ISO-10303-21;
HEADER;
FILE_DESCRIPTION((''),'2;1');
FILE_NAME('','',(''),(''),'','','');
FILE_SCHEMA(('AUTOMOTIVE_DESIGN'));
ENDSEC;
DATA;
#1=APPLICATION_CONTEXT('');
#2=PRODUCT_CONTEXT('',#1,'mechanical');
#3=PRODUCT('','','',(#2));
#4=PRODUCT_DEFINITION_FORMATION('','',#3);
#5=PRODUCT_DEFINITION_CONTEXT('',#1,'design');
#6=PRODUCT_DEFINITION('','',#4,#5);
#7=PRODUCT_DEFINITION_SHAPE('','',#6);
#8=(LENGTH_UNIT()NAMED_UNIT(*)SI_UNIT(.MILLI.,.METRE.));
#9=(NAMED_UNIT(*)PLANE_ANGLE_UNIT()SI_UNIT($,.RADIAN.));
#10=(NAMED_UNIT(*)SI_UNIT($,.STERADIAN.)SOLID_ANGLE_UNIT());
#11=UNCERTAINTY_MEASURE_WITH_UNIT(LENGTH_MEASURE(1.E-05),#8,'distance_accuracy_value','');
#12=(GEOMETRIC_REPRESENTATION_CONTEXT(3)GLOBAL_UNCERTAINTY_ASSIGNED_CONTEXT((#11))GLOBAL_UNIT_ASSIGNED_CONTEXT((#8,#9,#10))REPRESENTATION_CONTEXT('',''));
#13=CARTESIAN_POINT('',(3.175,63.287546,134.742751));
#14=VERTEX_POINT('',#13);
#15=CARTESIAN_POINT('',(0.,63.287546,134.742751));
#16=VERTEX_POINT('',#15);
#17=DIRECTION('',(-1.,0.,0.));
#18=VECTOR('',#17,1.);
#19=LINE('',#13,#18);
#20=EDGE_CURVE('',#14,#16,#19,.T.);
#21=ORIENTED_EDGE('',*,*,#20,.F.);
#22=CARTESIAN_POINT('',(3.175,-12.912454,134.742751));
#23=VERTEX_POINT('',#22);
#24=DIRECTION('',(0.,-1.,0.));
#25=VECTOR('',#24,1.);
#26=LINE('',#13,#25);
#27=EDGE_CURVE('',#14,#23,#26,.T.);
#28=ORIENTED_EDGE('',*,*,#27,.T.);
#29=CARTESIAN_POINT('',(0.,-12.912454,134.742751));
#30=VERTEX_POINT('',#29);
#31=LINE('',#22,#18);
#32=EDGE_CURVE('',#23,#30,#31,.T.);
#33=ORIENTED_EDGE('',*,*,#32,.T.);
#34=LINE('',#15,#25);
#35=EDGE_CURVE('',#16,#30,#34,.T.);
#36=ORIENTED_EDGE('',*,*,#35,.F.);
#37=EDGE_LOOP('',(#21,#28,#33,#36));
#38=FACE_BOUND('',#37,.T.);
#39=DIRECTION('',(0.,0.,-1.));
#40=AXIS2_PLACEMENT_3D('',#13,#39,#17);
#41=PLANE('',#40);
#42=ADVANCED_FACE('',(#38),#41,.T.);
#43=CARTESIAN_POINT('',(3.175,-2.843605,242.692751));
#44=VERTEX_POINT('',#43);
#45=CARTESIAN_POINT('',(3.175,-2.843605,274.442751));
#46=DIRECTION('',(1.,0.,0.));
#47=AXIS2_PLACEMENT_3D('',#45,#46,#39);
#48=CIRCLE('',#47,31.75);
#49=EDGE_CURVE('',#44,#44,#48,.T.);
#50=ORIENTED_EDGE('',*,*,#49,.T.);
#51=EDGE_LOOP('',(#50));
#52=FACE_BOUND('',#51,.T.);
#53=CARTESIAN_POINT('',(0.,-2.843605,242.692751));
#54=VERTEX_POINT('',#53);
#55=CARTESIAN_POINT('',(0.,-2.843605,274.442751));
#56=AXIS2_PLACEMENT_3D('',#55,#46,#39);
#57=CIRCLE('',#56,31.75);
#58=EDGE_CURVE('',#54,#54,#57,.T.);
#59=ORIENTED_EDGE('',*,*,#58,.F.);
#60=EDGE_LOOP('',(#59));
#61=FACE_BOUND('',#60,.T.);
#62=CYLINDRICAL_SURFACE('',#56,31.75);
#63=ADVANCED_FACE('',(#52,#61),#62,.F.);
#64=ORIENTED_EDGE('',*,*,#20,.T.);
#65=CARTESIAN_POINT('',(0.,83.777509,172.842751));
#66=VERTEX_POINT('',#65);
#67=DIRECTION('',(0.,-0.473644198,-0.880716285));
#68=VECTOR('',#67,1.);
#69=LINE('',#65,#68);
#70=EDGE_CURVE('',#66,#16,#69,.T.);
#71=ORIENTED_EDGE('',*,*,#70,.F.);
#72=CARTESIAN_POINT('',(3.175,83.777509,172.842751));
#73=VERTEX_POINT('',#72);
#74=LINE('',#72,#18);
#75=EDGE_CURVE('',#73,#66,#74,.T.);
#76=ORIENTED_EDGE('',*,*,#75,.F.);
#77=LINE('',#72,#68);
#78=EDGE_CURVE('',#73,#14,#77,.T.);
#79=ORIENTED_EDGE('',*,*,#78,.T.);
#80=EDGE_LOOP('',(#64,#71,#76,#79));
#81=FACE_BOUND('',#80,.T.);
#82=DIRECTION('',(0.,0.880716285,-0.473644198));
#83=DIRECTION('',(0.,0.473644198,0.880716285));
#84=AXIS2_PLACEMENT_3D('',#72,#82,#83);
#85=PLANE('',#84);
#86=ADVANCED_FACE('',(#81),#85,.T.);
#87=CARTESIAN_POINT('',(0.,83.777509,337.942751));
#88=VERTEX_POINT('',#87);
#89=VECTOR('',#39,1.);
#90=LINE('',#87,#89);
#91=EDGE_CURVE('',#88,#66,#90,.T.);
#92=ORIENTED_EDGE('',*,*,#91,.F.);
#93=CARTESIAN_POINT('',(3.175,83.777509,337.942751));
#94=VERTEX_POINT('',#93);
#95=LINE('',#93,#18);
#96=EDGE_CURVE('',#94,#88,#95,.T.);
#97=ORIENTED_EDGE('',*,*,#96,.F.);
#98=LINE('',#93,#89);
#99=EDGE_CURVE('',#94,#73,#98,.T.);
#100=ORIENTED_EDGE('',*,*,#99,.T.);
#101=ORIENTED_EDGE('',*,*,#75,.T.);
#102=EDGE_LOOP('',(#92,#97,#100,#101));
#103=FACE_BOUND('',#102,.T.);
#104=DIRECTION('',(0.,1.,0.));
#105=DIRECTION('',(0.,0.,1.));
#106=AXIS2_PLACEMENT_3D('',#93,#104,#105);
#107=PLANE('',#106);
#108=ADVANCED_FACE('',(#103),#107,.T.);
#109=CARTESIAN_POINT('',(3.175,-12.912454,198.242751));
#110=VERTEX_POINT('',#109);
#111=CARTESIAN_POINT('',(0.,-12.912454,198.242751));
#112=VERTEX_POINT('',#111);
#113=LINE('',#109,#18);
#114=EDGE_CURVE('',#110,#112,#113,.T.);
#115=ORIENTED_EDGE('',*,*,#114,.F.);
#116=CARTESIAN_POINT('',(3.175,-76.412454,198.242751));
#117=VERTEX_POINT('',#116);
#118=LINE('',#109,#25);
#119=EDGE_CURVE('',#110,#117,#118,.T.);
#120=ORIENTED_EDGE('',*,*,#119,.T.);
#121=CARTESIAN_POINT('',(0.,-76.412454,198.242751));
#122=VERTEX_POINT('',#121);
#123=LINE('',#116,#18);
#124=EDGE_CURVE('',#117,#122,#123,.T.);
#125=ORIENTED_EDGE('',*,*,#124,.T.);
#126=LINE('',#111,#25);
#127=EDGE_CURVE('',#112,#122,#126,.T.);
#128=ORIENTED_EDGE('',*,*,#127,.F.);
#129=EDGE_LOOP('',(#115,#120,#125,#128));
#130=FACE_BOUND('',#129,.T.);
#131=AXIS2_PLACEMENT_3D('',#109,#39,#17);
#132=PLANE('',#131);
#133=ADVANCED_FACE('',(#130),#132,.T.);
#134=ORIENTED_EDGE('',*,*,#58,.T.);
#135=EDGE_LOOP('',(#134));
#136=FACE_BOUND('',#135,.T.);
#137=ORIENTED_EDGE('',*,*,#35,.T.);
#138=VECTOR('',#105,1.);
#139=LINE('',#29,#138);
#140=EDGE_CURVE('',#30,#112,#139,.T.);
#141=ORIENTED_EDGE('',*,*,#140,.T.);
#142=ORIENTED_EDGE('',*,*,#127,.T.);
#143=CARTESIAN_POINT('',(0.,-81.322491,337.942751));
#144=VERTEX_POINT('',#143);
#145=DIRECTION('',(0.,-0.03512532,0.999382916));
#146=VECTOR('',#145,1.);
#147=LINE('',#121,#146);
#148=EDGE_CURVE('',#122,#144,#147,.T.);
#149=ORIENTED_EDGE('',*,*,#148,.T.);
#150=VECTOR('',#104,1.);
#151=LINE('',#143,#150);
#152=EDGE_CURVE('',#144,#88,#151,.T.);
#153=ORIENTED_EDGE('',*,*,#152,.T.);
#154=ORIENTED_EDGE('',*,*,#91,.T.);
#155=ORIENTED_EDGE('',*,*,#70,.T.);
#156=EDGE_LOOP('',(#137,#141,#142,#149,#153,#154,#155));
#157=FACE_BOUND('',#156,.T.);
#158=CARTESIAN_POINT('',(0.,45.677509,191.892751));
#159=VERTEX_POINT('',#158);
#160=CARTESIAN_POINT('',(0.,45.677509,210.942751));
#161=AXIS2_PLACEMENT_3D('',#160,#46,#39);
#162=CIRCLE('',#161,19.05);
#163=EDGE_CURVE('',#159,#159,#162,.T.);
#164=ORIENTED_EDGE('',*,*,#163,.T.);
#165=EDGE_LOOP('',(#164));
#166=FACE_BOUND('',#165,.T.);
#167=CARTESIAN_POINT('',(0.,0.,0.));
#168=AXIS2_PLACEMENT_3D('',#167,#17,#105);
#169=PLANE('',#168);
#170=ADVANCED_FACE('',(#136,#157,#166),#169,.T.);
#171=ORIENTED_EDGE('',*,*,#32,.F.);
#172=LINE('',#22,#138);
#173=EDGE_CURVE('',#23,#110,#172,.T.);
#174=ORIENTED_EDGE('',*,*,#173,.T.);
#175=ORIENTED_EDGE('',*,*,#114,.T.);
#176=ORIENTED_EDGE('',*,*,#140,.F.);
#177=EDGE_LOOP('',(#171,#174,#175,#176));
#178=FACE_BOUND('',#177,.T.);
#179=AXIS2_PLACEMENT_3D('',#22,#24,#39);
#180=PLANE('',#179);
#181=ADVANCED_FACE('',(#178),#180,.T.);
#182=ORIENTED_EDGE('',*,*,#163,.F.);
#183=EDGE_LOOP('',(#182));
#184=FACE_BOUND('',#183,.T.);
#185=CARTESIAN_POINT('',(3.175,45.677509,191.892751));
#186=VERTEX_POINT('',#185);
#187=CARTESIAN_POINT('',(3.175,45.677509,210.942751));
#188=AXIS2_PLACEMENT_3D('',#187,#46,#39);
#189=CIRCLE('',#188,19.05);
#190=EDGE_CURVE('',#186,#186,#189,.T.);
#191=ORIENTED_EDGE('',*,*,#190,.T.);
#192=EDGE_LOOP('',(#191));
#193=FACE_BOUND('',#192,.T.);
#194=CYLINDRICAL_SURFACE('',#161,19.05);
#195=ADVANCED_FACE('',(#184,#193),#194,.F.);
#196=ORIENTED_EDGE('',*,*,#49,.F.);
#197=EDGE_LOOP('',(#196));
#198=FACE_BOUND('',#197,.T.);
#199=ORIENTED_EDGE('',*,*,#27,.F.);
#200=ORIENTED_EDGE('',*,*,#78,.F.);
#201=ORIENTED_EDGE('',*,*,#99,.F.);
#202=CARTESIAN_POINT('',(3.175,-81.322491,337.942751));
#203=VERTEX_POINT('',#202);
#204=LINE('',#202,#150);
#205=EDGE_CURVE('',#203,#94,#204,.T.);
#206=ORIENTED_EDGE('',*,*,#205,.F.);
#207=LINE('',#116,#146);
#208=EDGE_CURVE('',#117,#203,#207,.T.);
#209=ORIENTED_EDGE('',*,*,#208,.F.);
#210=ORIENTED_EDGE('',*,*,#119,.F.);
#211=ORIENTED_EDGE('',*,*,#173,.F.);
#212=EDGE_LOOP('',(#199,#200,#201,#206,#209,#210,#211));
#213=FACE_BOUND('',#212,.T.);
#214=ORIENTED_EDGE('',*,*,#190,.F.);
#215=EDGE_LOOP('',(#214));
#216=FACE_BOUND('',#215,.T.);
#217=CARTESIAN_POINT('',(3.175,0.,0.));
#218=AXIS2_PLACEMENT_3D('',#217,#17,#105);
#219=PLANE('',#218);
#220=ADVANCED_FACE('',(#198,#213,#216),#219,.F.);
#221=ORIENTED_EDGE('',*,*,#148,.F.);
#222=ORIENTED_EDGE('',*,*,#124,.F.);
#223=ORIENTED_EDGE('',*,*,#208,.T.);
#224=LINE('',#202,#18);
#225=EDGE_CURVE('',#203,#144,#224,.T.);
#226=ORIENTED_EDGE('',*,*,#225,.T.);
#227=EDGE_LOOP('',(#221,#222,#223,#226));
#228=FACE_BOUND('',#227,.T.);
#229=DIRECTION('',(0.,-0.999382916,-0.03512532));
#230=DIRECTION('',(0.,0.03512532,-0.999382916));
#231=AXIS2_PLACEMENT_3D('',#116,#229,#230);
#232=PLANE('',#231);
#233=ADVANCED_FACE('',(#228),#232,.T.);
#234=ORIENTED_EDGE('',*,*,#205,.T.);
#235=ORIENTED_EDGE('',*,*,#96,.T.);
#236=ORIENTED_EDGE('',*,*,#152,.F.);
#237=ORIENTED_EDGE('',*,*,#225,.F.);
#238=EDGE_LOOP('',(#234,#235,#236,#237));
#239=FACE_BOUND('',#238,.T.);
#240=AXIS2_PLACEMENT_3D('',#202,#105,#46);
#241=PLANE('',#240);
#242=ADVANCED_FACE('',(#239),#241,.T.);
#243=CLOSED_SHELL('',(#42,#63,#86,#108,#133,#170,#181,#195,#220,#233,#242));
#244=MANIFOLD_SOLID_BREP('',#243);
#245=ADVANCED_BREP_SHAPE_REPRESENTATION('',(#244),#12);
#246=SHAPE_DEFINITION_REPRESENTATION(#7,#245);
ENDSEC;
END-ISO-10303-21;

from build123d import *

# Parameters (mm, degrees)
BOSS_EXTRUDE1_DEPTH = 3.175
SKETCH3_R           = 31.75
SKETCH3_R_2         = 19.05
CUT_EXTRUDE3_DEPTH  = 349.186809908


with BuildPart() as part:
    # Sketch2 → Boss-Extrude1 (new body)
    with BuildSketch(Plane(origin=(0, 0, 0), x_dir=(0, 0, -1), z_dir=(1, 0, 0))):
        Polygon((-337.942750929, 83.777509294), (-172.842750929, 83.777509294), (-134.742750929, 63.287546468), (-134.742750929, -12.912453532), (-198.242750929, -12.912453532), (-198.242750929, -76.412453532), (-337.942750929, -81.322490706), align=None)
    extrude(amount=BOSS_EXTRUDE1_DEPTH)

    # Sketch3 → Cut-Extrude3 (cut, through all)
    with BuildSketch(Plane(origin=(3.175, 0, 0), x_dir=(0, 0, -1), z_dir=(1, 0, 0))):
        with Locations((-274.442750929, -2.843604756)):
            Circle(SKETCH3_R)
        with Locations((-210.942750929, 45.677509294)):
            Circle(SKETCH3_R_2)
    extrude(amount=-CUT_EXTRUDE3_DEPTH, mode=Mode.SUBTRACT)


solid = part.part
